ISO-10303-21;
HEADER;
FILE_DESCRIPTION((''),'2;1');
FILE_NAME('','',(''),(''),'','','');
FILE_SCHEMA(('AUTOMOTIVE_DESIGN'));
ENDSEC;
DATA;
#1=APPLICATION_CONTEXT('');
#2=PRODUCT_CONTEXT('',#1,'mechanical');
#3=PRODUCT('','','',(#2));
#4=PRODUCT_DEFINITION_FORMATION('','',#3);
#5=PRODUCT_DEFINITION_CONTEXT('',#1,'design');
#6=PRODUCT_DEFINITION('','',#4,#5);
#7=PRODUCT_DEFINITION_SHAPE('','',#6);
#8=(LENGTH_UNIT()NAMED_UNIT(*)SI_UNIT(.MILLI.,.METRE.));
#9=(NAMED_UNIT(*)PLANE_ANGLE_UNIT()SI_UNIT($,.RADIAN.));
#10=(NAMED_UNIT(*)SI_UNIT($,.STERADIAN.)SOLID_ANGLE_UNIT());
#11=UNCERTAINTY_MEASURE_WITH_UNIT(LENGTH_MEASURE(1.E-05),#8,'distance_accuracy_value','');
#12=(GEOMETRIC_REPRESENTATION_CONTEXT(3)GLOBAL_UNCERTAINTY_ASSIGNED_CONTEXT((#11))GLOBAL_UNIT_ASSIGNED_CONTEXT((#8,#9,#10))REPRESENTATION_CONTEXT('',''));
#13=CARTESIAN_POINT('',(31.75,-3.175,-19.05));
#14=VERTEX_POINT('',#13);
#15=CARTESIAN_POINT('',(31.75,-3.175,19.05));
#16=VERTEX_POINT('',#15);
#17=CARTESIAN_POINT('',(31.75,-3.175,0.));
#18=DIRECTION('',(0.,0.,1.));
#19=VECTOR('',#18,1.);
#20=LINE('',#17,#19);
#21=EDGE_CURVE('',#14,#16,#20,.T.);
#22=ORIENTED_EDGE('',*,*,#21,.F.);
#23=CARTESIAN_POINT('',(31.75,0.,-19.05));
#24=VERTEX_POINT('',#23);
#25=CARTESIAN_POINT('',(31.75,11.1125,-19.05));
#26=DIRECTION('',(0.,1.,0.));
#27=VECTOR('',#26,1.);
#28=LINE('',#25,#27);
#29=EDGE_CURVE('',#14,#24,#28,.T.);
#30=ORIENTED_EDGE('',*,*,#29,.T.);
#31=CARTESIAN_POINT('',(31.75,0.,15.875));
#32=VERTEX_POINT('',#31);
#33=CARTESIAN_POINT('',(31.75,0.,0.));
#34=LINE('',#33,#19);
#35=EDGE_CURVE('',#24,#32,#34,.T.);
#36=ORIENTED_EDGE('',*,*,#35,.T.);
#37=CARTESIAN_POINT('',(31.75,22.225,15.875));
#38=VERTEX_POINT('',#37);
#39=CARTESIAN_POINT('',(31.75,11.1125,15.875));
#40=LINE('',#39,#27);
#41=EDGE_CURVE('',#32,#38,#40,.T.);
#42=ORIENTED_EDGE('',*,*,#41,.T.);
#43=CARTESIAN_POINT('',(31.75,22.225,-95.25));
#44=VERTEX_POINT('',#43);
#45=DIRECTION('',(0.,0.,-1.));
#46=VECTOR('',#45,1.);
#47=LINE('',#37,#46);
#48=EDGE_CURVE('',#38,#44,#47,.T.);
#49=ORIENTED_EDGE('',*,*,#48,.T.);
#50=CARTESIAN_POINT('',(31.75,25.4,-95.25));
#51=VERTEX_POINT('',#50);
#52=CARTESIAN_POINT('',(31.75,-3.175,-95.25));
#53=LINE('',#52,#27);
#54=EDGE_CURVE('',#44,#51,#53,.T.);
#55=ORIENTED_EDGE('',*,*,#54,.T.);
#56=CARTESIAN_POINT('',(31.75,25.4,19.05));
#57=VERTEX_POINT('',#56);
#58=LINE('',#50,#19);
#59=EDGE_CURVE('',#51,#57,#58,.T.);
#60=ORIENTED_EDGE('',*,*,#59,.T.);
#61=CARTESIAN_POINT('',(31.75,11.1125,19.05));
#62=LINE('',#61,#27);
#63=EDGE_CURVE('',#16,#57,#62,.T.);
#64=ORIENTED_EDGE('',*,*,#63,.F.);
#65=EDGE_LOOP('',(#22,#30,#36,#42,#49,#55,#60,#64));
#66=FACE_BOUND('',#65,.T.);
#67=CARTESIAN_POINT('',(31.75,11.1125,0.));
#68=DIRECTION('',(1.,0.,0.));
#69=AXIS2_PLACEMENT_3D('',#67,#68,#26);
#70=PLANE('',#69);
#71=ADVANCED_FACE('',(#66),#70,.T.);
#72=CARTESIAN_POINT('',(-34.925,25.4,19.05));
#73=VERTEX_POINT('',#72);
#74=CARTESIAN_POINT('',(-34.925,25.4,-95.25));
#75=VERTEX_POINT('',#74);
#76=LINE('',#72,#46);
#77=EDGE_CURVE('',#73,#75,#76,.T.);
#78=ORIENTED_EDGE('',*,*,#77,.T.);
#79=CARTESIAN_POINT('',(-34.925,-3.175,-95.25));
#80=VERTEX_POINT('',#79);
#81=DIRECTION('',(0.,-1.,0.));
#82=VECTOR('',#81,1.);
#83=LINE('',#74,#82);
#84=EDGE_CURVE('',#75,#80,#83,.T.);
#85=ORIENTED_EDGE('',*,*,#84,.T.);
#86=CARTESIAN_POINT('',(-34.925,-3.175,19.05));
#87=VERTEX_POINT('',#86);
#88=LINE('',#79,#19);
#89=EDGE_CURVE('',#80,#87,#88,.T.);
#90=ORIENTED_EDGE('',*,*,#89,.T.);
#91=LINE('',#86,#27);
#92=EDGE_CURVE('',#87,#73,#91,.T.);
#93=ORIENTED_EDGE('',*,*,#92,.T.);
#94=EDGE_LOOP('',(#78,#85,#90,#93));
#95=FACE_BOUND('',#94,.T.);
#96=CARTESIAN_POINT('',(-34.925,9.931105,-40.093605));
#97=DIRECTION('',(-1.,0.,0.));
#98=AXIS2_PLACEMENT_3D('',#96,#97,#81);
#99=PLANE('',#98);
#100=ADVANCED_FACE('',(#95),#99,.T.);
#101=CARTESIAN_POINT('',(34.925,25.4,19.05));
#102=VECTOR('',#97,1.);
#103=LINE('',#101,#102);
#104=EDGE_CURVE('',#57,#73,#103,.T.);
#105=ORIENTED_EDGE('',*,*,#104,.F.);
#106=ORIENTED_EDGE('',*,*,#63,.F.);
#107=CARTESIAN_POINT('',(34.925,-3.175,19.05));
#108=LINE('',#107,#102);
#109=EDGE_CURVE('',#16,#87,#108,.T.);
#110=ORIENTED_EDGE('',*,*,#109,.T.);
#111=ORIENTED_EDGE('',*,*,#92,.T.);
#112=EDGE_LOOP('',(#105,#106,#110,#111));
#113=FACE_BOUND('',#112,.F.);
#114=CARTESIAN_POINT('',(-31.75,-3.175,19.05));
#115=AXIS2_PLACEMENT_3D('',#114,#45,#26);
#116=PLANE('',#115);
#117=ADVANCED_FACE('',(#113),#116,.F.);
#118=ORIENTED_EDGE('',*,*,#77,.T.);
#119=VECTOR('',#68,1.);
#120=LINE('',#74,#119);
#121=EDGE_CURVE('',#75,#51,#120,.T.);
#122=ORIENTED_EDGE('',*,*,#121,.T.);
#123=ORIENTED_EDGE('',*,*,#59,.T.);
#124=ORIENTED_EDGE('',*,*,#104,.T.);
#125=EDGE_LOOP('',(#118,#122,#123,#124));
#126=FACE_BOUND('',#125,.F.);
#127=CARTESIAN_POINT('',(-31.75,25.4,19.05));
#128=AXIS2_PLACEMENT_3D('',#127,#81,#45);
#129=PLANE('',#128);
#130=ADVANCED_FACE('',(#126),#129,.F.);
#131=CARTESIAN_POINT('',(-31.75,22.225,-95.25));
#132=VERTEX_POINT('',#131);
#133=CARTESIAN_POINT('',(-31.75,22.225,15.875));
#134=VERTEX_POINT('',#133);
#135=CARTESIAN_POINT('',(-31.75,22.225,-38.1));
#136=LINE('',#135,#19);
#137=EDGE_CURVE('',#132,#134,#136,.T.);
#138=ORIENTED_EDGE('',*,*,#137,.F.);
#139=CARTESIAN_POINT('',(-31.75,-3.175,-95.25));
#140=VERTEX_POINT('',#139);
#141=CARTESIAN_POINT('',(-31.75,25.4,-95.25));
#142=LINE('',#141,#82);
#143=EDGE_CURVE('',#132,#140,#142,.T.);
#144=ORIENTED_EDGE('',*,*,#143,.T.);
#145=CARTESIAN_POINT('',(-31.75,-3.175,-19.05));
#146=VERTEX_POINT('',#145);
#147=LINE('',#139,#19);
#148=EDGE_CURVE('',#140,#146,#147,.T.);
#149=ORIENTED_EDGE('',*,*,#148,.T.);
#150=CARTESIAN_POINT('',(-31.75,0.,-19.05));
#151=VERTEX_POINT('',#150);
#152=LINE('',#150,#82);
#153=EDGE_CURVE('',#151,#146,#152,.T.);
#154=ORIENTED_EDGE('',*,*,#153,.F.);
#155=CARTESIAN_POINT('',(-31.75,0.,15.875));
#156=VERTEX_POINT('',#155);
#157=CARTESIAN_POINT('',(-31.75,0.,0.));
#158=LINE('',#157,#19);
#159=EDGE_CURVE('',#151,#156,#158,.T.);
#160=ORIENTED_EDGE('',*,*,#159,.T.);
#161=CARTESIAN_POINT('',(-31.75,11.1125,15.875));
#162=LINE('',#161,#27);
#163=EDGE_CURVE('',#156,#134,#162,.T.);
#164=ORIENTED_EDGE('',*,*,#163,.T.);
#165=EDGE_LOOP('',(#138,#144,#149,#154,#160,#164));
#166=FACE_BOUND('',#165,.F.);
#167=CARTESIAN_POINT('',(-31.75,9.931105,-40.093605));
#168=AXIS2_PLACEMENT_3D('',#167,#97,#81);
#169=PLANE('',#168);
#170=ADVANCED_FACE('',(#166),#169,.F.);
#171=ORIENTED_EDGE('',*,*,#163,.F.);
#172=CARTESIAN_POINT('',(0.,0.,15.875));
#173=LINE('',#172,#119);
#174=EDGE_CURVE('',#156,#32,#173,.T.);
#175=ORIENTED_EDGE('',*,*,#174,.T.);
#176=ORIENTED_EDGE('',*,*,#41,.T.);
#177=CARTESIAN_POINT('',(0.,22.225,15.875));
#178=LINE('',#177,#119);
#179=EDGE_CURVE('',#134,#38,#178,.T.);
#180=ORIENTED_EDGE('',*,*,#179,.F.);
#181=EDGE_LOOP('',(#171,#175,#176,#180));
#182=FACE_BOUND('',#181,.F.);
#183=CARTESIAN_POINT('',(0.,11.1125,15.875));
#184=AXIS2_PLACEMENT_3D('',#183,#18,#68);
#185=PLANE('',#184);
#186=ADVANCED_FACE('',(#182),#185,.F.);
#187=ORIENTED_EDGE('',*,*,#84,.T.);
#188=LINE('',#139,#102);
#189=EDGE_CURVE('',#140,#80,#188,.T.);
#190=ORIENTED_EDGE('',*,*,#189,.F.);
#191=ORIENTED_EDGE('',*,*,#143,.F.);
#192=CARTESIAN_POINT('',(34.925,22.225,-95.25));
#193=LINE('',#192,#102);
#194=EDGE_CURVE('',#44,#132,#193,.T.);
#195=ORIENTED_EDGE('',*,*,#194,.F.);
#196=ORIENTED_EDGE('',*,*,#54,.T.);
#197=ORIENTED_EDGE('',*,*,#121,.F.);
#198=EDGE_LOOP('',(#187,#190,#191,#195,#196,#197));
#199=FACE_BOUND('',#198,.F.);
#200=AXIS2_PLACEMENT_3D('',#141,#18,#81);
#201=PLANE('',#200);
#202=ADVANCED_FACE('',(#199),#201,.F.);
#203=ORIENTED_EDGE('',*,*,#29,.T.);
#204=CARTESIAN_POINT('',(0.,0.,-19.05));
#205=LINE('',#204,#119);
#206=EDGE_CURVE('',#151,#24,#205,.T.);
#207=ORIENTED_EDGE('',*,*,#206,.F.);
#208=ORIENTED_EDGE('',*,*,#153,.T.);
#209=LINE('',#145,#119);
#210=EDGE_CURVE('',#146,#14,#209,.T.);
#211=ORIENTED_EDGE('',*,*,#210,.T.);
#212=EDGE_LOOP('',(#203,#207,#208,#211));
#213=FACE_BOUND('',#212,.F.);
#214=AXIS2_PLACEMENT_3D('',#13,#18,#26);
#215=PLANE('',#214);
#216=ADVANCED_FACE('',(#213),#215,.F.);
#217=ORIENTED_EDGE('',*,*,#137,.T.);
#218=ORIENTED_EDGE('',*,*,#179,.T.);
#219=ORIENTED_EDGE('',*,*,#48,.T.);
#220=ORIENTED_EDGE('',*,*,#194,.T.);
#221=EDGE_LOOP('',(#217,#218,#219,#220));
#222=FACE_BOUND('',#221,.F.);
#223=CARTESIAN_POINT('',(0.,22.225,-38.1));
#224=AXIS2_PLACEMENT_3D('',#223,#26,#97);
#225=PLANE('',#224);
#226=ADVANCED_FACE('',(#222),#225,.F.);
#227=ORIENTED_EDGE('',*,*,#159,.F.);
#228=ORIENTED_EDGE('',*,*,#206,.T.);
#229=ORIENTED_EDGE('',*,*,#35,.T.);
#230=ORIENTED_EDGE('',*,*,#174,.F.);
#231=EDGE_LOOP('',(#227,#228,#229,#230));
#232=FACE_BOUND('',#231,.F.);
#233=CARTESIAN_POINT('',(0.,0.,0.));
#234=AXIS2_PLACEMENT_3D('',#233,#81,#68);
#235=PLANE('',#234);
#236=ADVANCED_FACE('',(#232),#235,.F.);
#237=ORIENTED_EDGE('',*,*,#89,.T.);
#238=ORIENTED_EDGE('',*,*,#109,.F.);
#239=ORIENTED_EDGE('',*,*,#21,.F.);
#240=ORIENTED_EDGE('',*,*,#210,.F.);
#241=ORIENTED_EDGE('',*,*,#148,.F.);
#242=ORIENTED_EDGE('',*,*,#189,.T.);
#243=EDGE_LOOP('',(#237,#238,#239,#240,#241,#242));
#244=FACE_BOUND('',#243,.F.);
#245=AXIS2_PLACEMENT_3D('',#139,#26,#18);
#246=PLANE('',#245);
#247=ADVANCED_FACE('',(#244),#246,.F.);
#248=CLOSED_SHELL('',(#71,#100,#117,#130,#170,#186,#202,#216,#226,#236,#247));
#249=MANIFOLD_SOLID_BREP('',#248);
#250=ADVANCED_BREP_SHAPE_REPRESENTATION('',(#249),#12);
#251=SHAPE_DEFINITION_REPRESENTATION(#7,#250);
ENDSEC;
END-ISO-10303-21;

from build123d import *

# Parameters (mm, degrees)
F0_W      = 63.5
F0_H      = 38.1
F1_DEPTH  = 3.175
F2_W      = 22.225
F2_H      = 38.1
F2_W_2    = 3.175
F3_DEPTH  = 3.175
F5_DEPTH  = 76.2
F6_W      = 63.5
F6_H      = 114.3
F6_W_2    = 3.175
F7_DEPTH  = 3.175
F8_W      = 63.5
F8_H      = 22.225
F9_DEPTH  = 3.175
F11_DEPTH = 76.2
F13_DEPTH = 3.175
F14_W     = 28.575
F14_H     = 38.1
F15_DEPTH = 3.175


with BuildPart() as f1:
    # F0 (on Front) → F1 (new body)
    with BuildSketch(Plane.XZ):
        Rectangle(F0_W, F0_H)
    extrude(amount=F1_DEPTH)

    # F2 (on face) → F3 (join)
    with BuildSketch(Plane.YZ.offset(31.75)):
        with Locations((11.1125, 0)):
            Rectangle(F2_W, F2_H)
        with Locations((-1.5875, 0)):
            Rectangle(F2_W_2, F2_H)
    extrude(amount=F3_DEPTH)

    # F4 (on face) → F5 (join)
    with BuildSketch(Plane(origin=(0, 0, -19.05), x_dir=(1, 0, 0), z_dir=(0, 0, -1))):
        Polygon((31.75, -22.225), (34.925, -22.225), (34.925, 3.175), (31.75, 3.175), (31.75, 0), align=None)
    extrude(amount=F5_DEPTH)

    # F6 (on face) → F7 (join)
    with BuildSketch(Plane(origin=(0, 22.225, 0), x_dir=(-1, 0, 0), z_dir=(0, 1, 0))):
        with Locations((0, -38.1)):
            Rectangle(F6_W, F6_H)
        with Locations((-33.3375, -38.1)):
            Rectangle(F6_W_2, F6_H)
    extrude(amount=F7_DEPTH)

    # F8 (on face) → F9 (join)
    with BuildSketch(Plane.XY.offset(19.05)):
        with Locations((0, 11.1125)):
            Rectangle(F8_W, F8_H)
    extrude(amount=-F9_DEPTH)

    # F10 (on face) → F11 (cut)
    with BuildSketch(Plane(origin=(0, 0, -95.25), x_dir=(1, 0, 0), z_dir=(0, 0, -1))):
        Polygon((34.925, 3.175), (31.75, 3.175), (31.75, -22.225), (31.75, -25.4), (34.925, -25.4), align=None)
    extrude(amount=-F11_DEPTH, mode=Mode.SUBTRACT)

    # F12 (on face) → F13 (join)
    with BuildSketch(Plane(origin=(-31.75, 0, 0), x_dir=(0, -1, 0), z_dir=(-1, 0, 0))):
        Polygon((3.175, -95.25), (3.175, -19.05), (0, -19.05), (0, 15.875), (-22.225, 15.875), (-22.225, -95.25), align=None)
        Polygon((3.175, 19.05), (-25.4, 19.05), (-25.4, -95.25), (-22.225, -95.25), (-22.225, 15.875), (0, 15.875), (0, -19.05), (3.175, -19.05), align=None)
    extrude(amount=F13_DEPTH)

    # F14 (on face) → F15 (cut)
    with BuildSketch(Plane.YZ.offset(34.925)):
        with Locations((11.1125, 0)):
            Rectangle(F14_W, F14_H)
    extrude(amount=-F15_DEPTH, mode=Mode.SUBTRACT)


solid = f1.part
